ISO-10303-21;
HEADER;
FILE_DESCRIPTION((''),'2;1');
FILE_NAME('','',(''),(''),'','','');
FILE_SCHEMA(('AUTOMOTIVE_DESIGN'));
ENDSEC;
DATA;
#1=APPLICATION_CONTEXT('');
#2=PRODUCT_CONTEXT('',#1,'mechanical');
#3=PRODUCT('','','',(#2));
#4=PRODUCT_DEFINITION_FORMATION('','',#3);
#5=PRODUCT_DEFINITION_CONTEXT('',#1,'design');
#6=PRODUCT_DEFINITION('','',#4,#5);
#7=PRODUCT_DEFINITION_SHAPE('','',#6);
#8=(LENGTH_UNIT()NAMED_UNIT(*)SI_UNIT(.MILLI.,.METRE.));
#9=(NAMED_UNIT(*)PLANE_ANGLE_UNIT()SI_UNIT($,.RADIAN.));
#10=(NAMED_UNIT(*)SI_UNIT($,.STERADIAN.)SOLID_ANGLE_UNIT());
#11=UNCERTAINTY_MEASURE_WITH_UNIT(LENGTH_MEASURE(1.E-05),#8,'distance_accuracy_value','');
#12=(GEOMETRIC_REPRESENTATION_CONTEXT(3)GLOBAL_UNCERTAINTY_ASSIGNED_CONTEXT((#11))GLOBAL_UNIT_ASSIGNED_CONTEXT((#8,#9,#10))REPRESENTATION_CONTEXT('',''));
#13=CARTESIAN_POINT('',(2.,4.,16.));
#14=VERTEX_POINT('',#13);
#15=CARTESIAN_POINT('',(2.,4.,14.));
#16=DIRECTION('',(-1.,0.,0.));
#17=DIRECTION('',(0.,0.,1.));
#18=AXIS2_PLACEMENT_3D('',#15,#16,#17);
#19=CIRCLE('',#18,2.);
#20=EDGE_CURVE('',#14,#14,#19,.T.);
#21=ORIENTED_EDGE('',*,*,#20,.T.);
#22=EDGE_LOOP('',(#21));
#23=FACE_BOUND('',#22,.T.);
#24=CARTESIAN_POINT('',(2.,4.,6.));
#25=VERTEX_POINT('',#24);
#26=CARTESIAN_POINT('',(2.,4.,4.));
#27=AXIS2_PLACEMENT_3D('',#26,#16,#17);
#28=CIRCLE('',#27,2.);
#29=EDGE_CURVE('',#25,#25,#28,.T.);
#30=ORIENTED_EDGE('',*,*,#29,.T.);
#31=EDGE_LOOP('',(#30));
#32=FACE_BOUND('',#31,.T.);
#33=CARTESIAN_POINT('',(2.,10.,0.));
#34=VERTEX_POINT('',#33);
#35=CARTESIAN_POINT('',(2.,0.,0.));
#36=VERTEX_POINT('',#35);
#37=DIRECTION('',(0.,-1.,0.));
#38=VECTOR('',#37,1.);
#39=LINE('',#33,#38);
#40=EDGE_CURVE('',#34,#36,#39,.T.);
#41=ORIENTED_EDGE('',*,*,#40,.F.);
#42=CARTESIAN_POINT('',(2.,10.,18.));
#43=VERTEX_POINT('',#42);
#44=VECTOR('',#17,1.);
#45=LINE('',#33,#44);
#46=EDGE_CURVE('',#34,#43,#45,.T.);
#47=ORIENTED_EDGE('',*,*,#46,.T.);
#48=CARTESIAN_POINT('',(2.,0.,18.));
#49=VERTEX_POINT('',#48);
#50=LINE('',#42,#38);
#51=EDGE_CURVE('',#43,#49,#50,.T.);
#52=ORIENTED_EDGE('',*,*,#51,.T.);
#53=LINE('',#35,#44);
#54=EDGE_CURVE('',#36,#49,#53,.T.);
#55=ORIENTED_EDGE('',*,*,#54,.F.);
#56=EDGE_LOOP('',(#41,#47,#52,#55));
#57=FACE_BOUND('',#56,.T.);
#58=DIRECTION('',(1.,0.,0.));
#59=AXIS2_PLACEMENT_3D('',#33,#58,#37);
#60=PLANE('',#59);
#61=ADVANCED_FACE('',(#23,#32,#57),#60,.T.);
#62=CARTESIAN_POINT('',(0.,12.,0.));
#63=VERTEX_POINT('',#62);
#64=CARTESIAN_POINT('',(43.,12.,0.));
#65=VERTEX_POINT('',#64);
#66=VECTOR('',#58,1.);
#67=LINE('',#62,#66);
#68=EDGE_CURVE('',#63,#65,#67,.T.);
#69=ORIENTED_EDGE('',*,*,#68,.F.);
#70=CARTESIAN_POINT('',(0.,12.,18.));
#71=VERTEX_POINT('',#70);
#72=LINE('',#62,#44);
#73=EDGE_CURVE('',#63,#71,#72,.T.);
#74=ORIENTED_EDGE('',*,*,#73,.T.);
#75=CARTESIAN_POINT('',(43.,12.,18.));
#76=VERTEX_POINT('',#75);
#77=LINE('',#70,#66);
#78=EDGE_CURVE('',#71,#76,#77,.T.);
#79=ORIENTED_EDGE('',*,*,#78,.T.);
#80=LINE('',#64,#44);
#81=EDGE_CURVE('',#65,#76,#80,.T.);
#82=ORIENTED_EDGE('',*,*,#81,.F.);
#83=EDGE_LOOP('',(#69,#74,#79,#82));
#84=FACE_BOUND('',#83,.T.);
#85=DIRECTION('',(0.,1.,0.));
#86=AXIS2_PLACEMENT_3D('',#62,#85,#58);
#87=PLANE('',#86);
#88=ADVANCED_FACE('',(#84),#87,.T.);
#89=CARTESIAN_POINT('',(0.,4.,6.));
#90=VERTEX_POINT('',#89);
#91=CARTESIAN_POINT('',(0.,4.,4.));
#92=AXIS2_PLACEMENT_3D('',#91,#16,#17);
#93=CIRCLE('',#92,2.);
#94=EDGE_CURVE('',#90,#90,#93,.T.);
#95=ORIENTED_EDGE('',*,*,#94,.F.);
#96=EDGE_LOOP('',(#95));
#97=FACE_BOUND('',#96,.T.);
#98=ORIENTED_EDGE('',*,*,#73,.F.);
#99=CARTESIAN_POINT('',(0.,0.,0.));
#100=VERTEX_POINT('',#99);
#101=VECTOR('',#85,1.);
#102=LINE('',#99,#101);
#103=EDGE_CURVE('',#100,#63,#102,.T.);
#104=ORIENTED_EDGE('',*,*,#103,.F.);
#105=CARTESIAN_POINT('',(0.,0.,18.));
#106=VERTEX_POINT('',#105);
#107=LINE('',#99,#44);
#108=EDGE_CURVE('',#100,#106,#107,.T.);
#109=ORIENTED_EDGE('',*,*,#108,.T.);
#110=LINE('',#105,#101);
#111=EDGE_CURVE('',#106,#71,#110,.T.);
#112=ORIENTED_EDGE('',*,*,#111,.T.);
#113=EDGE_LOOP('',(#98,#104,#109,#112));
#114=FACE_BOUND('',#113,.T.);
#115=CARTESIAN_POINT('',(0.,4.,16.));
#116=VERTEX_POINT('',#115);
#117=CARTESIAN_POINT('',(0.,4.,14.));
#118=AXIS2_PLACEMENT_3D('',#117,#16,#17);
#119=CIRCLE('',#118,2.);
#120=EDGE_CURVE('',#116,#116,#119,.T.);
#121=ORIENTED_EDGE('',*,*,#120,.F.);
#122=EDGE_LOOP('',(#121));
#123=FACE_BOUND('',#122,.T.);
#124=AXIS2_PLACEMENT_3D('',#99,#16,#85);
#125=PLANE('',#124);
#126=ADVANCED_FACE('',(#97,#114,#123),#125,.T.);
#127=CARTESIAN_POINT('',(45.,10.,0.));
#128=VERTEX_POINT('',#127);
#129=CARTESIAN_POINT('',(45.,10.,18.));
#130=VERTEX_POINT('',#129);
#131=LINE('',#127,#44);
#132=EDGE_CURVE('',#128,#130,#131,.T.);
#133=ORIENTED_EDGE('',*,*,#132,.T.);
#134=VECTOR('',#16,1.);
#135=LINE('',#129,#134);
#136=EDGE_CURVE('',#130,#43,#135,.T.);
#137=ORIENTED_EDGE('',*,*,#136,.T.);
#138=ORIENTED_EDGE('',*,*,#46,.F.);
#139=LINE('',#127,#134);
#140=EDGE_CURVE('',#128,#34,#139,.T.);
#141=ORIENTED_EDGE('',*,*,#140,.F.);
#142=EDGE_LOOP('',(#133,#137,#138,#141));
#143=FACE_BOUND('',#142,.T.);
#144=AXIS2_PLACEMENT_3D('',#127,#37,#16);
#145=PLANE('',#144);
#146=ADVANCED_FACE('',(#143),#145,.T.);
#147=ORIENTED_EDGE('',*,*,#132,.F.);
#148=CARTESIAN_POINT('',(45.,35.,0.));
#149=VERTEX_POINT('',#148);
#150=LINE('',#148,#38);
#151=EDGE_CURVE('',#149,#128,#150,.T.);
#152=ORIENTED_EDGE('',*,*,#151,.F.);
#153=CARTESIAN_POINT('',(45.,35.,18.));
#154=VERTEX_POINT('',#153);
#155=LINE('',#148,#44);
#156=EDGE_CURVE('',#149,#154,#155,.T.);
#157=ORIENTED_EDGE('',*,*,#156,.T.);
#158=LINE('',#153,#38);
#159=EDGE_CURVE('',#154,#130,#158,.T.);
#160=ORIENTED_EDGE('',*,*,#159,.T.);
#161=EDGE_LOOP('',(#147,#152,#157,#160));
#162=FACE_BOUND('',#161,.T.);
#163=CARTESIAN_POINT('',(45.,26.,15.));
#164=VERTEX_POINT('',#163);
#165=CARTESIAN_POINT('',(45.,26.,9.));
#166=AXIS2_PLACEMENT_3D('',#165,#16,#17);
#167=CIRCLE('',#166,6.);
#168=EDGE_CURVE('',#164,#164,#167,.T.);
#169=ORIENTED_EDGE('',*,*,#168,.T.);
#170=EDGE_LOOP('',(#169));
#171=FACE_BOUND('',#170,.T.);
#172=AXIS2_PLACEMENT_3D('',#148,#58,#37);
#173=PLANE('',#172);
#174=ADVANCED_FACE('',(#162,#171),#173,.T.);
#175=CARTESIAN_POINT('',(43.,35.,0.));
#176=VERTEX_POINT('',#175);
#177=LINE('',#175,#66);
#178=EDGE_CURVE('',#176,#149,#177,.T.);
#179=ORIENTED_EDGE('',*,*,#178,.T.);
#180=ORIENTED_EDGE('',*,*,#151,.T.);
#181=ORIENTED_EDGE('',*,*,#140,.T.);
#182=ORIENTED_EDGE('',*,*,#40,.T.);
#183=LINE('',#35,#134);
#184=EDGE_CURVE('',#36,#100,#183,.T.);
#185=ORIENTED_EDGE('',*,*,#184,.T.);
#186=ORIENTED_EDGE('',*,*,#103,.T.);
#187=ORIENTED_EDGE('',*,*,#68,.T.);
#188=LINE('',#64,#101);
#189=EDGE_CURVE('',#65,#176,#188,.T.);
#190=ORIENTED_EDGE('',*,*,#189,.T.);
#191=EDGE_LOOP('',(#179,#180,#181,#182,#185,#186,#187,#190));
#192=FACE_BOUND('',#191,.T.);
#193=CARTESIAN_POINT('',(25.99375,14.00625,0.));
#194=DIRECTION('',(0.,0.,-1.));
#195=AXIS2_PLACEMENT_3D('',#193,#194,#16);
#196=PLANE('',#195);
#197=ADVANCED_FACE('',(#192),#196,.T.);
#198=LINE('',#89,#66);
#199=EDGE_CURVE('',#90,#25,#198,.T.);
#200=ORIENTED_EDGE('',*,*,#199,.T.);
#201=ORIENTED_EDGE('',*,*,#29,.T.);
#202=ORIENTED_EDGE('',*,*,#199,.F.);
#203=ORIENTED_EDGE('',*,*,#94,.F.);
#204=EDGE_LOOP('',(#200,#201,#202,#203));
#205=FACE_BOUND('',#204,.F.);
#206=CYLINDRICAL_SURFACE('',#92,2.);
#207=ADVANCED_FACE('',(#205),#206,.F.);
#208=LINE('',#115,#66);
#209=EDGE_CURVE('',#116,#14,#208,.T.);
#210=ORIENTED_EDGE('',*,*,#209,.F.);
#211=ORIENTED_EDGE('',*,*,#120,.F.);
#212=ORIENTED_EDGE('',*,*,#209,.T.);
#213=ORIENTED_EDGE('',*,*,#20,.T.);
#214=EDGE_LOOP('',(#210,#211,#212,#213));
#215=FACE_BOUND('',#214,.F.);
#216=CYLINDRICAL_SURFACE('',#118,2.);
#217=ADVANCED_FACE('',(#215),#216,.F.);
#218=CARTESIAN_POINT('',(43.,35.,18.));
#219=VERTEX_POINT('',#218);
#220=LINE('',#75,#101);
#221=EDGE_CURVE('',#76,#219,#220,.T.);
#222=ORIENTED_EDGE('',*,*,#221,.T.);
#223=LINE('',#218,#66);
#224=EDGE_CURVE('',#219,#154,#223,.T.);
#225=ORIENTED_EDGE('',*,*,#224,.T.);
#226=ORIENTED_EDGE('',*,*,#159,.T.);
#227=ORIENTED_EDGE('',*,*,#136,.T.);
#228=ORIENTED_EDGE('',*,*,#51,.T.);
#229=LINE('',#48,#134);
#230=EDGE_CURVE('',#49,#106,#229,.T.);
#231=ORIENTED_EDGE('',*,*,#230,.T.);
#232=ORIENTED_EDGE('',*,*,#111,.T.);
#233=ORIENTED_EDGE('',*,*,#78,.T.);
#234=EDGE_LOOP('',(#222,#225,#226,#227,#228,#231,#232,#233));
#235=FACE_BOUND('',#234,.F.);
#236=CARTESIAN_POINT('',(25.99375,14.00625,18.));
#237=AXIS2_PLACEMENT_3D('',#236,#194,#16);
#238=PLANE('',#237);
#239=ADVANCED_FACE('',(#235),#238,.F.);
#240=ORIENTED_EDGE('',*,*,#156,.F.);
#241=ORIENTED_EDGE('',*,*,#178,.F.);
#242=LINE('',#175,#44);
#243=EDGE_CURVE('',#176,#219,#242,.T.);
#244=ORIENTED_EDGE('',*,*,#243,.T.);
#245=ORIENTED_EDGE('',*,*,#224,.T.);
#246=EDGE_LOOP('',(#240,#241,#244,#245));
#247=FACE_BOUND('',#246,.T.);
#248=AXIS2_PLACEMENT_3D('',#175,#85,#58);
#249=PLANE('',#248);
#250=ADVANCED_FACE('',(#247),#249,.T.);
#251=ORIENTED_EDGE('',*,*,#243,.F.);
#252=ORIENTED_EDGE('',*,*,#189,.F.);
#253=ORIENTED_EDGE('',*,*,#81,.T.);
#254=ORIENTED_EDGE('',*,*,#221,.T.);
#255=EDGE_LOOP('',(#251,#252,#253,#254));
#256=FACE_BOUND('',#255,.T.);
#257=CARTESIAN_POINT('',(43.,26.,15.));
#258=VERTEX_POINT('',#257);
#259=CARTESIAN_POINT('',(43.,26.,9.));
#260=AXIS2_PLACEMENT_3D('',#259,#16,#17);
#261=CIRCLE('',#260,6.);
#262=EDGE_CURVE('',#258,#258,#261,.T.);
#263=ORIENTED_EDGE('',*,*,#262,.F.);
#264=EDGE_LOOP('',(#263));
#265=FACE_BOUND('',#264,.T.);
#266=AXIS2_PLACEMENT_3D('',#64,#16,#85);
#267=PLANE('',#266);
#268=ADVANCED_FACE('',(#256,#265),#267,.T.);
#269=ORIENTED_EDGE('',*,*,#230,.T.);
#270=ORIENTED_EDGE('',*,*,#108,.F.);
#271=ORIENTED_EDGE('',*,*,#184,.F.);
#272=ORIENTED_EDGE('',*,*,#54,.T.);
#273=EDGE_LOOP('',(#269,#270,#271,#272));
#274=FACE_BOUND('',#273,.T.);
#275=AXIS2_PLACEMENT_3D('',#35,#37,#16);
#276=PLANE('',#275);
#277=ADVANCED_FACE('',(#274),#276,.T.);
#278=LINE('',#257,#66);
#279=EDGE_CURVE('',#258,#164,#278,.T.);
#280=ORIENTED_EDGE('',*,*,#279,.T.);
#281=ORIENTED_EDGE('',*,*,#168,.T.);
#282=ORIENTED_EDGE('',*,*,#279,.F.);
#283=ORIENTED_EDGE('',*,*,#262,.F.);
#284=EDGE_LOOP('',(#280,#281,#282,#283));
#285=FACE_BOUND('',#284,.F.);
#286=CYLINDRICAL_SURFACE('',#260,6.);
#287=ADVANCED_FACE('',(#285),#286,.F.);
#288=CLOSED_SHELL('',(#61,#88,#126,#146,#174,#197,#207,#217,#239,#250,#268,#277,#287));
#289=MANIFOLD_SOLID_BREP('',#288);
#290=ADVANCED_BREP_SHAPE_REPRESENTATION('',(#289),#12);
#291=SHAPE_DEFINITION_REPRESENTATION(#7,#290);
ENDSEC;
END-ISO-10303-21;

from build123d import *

# Parameters (mm, degrees)
BOSS_EXTRUDE1_DEPTH = 18
CUT_EXTRUDE1_REACH  = 47
SKETCH2_R           = 2
CUT_EXTRUDE2_REACH  = 4
SKETCH3_R           = 6


with BuildPart() as part:
    # Sketch1 → Boss-Extrude1 (new body)
    with BuildSketch(Plane.XY):
        Polygon((0, 0), (0, 12), (43, 12), (43, 35), (45, 35), (45, 10), (2, 10), (2, 0), align=None)
    extrude(amount=BOSS_EXTRUDE1_DEPTH)

    # Sketch2 → Cut-Extrude1 (cut, up to next)
    with BuildSketch(Plane.ZY, mode=Mode.PRIVATE) as cut_extrude1_sk1:
        with Locations((4, 4)):
            Circle(SKETCH2_R)
    cut_extrude1_tool1 = extrude(cut_extrude1_sk1.sketch, amount=-CUT_EXTRUDE1_REACH, mode=Mode.PRIVATE) & part.part
    add(cut_extrude1_tool1.solids().sort_by_distance((0, 4, 4))[0], mode=Mode.SUBTRACT)
    # Sketch2 → Cut-Extrude1 (cut, up to next)
    with BuildSketch(Plane.ZY, mode=Mode.PRIVATE) as cut_extrude1_sk2:
        with Locations((14, 4)):
            Circle(SKETCH2_R)
    cut_extrude1_tool2 = extrude(cut_extrude1_sk2.sketch, amount=-CUT_EXTRUDE1_REACH, mode=Mode.PRIVATE) & part.part
    add(cut_extrude1_tool2.solids().sort_by_distance((0, 4, 14))[0], mode=Mode.SUBTRACT)

    # Sketch3 → Cut-Extrude2 (cut, up to next)
    with BuildSketch(Plane.ZY.offset(-43), mode=Mode.PRIVATE) as cut_extrude2_sk1:
        with Locations((9, 26)):
            Circle(SKETCH3_R)
    cut_extrude2_tool1 = extrude(cut_extrude2_sk1.sketch, amount=-CUT_EXTRUDE2_REACH, mode=Mode.PRIVATE) & part.part
    add(cut_extrude2_tool1.solids().sort_by_distance((43, 26, 9))[0], mode=Mode.SUBTRACT)


solid = part.part
